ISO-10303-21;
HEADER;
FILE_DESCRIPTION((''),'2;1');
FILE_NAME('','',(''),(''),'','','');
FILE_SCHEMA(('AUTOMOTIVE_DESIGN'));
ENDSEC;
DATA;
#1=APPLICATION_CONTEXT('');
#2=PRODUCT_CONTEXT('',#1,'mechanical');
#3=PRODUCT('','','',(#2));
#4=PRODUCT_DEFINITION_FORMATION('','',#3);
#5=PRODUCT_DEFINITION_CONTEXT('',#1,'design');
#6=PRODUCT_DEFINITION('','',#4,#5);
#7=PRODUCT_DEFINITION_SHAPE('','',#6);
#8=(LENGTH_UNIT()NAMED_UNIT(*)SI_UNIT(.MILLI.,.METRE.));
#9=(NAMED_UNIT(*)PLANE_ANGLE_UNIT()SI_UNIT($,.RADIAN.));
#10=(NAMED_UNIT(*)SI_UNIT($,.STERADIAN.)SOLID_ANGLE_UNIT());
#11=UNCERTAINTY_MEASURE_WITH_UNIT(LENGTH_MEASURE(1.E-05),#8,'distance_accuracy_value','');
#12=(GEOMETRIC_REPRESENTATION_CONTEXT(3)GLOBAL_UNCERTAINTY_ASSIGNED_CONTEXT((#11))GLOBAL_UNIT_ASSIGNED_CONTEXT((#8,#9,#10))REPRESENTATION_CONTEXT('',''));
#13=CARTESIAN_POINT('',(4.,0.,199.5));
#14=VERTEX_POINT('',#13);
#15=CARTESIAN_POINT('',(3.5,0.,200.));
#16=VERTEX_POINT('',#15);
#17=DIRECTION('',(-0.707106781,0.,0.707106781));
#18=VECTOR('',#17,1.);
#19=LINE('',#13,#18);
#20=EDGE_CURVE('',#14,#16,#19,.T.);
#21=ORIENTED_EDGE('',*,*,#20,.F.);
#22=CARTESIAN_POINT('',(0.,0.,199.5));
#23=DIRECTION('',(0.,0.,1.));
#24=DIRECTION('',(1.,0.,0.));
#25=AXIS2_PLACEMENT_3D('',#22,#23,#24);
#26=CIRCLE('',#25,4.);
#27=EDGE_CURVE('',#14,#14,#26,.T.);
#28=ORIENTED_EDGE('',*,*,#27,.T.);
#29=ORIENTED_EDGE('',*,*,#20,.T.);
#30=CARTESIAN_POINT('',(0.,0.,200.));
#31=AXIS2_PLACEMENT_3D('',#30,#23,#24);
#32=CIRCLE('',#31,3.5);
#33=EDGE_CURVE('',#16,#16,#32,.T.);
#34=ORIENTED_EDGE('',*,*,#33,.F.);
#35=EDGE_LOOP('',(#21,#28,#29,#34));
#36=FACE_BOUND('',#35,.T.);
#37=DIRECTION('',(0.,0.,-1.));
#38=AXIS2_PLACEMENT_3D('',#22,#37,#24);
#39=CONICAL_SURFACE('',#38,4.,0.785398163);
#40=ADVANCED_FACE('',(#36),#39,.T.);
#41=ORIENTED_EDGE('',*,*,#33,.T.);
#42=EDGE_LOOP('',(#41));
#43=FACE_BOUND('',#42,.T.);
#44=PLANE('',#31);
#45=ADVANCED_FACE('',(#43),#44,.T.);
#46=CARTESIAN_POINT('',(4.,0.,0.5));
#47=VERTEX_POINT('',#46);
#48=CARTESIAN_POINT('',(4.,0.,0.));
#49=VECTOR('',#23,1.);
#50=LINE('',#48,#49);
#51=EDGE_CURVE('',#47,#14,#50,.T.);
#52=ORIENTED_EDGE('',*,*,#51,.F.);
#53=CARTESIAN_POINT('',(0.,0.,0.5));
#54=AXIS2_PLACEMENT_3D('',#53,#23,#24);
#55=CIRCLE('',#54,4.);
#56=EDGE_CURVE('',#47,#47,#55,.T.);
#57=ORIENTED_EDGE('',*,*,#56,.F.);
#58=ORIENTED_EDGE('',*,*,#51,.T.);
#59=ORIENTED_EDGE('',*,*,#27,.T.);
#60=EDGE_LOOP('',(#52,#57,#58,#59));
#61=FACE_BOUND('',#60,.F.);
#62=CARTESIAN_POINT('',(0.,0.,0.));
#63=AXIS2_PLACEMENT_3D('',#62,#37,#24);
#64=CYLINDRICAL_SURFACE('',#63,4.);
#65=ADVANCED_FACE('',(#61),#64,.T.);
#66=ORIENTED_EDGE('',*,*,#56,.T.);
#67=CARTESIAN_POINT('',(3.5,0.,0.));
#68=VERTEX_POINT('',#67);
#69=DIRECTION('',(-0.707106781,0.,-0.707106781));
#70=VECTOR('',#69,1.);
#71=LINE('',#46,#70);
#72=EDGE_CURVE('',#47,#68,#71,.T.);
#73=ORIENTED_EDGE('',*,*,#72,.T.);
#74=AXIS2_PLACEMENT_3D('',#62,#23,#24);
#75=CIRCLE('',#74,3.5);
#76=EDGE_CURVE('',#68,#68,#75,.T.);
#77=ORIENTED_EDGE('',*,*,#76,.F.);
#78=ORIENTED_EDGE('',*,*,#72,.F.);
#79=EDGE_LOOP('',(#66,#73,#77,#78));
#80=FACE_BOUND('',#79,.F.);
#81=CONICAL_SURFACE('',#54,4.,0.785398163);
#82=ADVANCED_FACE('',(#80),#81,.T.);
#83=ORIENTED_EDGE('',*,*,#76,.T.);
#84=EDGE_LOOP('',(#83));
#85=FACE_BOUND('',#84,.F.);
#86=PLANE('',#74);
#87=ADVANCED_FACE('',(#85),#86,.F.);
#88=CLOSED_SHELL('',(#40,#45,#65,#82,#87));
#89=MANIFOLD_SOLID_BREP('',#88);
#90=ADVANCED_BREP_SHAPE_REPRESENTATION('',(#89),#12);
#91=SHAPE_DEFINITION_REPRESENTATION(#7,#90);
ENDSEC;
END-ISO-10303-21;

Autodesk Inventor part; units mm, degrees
ref_plane "YZ Plane" through (0, 0, 0) normal (1, 0, 0) x (0, 1, 0)
ref_plane "XZ Plane" through (0, 0, 0) normal (0, 1, 0) x (-1, 0, 0)
ref_plane "XY Plane" through (0, 0, 0) normal (0, 0, 1) x (1, 0, 0)
sketch "Sketch1" plane through (0, 0, 0) normal (0, 0, 1) x (1, 0, 0)
  circle A0 centre (0, 0) radius 4
  dimension "d0" = 8
extrude "Extrusion1" add sketch "Sketch1" along normal blind 200
chamfer "Chamfer1" distance 0.5 angle 45 2 edges at (-4, 0, 200) (-4, 0, 0)
properties part number "Varilla_Lisa"
